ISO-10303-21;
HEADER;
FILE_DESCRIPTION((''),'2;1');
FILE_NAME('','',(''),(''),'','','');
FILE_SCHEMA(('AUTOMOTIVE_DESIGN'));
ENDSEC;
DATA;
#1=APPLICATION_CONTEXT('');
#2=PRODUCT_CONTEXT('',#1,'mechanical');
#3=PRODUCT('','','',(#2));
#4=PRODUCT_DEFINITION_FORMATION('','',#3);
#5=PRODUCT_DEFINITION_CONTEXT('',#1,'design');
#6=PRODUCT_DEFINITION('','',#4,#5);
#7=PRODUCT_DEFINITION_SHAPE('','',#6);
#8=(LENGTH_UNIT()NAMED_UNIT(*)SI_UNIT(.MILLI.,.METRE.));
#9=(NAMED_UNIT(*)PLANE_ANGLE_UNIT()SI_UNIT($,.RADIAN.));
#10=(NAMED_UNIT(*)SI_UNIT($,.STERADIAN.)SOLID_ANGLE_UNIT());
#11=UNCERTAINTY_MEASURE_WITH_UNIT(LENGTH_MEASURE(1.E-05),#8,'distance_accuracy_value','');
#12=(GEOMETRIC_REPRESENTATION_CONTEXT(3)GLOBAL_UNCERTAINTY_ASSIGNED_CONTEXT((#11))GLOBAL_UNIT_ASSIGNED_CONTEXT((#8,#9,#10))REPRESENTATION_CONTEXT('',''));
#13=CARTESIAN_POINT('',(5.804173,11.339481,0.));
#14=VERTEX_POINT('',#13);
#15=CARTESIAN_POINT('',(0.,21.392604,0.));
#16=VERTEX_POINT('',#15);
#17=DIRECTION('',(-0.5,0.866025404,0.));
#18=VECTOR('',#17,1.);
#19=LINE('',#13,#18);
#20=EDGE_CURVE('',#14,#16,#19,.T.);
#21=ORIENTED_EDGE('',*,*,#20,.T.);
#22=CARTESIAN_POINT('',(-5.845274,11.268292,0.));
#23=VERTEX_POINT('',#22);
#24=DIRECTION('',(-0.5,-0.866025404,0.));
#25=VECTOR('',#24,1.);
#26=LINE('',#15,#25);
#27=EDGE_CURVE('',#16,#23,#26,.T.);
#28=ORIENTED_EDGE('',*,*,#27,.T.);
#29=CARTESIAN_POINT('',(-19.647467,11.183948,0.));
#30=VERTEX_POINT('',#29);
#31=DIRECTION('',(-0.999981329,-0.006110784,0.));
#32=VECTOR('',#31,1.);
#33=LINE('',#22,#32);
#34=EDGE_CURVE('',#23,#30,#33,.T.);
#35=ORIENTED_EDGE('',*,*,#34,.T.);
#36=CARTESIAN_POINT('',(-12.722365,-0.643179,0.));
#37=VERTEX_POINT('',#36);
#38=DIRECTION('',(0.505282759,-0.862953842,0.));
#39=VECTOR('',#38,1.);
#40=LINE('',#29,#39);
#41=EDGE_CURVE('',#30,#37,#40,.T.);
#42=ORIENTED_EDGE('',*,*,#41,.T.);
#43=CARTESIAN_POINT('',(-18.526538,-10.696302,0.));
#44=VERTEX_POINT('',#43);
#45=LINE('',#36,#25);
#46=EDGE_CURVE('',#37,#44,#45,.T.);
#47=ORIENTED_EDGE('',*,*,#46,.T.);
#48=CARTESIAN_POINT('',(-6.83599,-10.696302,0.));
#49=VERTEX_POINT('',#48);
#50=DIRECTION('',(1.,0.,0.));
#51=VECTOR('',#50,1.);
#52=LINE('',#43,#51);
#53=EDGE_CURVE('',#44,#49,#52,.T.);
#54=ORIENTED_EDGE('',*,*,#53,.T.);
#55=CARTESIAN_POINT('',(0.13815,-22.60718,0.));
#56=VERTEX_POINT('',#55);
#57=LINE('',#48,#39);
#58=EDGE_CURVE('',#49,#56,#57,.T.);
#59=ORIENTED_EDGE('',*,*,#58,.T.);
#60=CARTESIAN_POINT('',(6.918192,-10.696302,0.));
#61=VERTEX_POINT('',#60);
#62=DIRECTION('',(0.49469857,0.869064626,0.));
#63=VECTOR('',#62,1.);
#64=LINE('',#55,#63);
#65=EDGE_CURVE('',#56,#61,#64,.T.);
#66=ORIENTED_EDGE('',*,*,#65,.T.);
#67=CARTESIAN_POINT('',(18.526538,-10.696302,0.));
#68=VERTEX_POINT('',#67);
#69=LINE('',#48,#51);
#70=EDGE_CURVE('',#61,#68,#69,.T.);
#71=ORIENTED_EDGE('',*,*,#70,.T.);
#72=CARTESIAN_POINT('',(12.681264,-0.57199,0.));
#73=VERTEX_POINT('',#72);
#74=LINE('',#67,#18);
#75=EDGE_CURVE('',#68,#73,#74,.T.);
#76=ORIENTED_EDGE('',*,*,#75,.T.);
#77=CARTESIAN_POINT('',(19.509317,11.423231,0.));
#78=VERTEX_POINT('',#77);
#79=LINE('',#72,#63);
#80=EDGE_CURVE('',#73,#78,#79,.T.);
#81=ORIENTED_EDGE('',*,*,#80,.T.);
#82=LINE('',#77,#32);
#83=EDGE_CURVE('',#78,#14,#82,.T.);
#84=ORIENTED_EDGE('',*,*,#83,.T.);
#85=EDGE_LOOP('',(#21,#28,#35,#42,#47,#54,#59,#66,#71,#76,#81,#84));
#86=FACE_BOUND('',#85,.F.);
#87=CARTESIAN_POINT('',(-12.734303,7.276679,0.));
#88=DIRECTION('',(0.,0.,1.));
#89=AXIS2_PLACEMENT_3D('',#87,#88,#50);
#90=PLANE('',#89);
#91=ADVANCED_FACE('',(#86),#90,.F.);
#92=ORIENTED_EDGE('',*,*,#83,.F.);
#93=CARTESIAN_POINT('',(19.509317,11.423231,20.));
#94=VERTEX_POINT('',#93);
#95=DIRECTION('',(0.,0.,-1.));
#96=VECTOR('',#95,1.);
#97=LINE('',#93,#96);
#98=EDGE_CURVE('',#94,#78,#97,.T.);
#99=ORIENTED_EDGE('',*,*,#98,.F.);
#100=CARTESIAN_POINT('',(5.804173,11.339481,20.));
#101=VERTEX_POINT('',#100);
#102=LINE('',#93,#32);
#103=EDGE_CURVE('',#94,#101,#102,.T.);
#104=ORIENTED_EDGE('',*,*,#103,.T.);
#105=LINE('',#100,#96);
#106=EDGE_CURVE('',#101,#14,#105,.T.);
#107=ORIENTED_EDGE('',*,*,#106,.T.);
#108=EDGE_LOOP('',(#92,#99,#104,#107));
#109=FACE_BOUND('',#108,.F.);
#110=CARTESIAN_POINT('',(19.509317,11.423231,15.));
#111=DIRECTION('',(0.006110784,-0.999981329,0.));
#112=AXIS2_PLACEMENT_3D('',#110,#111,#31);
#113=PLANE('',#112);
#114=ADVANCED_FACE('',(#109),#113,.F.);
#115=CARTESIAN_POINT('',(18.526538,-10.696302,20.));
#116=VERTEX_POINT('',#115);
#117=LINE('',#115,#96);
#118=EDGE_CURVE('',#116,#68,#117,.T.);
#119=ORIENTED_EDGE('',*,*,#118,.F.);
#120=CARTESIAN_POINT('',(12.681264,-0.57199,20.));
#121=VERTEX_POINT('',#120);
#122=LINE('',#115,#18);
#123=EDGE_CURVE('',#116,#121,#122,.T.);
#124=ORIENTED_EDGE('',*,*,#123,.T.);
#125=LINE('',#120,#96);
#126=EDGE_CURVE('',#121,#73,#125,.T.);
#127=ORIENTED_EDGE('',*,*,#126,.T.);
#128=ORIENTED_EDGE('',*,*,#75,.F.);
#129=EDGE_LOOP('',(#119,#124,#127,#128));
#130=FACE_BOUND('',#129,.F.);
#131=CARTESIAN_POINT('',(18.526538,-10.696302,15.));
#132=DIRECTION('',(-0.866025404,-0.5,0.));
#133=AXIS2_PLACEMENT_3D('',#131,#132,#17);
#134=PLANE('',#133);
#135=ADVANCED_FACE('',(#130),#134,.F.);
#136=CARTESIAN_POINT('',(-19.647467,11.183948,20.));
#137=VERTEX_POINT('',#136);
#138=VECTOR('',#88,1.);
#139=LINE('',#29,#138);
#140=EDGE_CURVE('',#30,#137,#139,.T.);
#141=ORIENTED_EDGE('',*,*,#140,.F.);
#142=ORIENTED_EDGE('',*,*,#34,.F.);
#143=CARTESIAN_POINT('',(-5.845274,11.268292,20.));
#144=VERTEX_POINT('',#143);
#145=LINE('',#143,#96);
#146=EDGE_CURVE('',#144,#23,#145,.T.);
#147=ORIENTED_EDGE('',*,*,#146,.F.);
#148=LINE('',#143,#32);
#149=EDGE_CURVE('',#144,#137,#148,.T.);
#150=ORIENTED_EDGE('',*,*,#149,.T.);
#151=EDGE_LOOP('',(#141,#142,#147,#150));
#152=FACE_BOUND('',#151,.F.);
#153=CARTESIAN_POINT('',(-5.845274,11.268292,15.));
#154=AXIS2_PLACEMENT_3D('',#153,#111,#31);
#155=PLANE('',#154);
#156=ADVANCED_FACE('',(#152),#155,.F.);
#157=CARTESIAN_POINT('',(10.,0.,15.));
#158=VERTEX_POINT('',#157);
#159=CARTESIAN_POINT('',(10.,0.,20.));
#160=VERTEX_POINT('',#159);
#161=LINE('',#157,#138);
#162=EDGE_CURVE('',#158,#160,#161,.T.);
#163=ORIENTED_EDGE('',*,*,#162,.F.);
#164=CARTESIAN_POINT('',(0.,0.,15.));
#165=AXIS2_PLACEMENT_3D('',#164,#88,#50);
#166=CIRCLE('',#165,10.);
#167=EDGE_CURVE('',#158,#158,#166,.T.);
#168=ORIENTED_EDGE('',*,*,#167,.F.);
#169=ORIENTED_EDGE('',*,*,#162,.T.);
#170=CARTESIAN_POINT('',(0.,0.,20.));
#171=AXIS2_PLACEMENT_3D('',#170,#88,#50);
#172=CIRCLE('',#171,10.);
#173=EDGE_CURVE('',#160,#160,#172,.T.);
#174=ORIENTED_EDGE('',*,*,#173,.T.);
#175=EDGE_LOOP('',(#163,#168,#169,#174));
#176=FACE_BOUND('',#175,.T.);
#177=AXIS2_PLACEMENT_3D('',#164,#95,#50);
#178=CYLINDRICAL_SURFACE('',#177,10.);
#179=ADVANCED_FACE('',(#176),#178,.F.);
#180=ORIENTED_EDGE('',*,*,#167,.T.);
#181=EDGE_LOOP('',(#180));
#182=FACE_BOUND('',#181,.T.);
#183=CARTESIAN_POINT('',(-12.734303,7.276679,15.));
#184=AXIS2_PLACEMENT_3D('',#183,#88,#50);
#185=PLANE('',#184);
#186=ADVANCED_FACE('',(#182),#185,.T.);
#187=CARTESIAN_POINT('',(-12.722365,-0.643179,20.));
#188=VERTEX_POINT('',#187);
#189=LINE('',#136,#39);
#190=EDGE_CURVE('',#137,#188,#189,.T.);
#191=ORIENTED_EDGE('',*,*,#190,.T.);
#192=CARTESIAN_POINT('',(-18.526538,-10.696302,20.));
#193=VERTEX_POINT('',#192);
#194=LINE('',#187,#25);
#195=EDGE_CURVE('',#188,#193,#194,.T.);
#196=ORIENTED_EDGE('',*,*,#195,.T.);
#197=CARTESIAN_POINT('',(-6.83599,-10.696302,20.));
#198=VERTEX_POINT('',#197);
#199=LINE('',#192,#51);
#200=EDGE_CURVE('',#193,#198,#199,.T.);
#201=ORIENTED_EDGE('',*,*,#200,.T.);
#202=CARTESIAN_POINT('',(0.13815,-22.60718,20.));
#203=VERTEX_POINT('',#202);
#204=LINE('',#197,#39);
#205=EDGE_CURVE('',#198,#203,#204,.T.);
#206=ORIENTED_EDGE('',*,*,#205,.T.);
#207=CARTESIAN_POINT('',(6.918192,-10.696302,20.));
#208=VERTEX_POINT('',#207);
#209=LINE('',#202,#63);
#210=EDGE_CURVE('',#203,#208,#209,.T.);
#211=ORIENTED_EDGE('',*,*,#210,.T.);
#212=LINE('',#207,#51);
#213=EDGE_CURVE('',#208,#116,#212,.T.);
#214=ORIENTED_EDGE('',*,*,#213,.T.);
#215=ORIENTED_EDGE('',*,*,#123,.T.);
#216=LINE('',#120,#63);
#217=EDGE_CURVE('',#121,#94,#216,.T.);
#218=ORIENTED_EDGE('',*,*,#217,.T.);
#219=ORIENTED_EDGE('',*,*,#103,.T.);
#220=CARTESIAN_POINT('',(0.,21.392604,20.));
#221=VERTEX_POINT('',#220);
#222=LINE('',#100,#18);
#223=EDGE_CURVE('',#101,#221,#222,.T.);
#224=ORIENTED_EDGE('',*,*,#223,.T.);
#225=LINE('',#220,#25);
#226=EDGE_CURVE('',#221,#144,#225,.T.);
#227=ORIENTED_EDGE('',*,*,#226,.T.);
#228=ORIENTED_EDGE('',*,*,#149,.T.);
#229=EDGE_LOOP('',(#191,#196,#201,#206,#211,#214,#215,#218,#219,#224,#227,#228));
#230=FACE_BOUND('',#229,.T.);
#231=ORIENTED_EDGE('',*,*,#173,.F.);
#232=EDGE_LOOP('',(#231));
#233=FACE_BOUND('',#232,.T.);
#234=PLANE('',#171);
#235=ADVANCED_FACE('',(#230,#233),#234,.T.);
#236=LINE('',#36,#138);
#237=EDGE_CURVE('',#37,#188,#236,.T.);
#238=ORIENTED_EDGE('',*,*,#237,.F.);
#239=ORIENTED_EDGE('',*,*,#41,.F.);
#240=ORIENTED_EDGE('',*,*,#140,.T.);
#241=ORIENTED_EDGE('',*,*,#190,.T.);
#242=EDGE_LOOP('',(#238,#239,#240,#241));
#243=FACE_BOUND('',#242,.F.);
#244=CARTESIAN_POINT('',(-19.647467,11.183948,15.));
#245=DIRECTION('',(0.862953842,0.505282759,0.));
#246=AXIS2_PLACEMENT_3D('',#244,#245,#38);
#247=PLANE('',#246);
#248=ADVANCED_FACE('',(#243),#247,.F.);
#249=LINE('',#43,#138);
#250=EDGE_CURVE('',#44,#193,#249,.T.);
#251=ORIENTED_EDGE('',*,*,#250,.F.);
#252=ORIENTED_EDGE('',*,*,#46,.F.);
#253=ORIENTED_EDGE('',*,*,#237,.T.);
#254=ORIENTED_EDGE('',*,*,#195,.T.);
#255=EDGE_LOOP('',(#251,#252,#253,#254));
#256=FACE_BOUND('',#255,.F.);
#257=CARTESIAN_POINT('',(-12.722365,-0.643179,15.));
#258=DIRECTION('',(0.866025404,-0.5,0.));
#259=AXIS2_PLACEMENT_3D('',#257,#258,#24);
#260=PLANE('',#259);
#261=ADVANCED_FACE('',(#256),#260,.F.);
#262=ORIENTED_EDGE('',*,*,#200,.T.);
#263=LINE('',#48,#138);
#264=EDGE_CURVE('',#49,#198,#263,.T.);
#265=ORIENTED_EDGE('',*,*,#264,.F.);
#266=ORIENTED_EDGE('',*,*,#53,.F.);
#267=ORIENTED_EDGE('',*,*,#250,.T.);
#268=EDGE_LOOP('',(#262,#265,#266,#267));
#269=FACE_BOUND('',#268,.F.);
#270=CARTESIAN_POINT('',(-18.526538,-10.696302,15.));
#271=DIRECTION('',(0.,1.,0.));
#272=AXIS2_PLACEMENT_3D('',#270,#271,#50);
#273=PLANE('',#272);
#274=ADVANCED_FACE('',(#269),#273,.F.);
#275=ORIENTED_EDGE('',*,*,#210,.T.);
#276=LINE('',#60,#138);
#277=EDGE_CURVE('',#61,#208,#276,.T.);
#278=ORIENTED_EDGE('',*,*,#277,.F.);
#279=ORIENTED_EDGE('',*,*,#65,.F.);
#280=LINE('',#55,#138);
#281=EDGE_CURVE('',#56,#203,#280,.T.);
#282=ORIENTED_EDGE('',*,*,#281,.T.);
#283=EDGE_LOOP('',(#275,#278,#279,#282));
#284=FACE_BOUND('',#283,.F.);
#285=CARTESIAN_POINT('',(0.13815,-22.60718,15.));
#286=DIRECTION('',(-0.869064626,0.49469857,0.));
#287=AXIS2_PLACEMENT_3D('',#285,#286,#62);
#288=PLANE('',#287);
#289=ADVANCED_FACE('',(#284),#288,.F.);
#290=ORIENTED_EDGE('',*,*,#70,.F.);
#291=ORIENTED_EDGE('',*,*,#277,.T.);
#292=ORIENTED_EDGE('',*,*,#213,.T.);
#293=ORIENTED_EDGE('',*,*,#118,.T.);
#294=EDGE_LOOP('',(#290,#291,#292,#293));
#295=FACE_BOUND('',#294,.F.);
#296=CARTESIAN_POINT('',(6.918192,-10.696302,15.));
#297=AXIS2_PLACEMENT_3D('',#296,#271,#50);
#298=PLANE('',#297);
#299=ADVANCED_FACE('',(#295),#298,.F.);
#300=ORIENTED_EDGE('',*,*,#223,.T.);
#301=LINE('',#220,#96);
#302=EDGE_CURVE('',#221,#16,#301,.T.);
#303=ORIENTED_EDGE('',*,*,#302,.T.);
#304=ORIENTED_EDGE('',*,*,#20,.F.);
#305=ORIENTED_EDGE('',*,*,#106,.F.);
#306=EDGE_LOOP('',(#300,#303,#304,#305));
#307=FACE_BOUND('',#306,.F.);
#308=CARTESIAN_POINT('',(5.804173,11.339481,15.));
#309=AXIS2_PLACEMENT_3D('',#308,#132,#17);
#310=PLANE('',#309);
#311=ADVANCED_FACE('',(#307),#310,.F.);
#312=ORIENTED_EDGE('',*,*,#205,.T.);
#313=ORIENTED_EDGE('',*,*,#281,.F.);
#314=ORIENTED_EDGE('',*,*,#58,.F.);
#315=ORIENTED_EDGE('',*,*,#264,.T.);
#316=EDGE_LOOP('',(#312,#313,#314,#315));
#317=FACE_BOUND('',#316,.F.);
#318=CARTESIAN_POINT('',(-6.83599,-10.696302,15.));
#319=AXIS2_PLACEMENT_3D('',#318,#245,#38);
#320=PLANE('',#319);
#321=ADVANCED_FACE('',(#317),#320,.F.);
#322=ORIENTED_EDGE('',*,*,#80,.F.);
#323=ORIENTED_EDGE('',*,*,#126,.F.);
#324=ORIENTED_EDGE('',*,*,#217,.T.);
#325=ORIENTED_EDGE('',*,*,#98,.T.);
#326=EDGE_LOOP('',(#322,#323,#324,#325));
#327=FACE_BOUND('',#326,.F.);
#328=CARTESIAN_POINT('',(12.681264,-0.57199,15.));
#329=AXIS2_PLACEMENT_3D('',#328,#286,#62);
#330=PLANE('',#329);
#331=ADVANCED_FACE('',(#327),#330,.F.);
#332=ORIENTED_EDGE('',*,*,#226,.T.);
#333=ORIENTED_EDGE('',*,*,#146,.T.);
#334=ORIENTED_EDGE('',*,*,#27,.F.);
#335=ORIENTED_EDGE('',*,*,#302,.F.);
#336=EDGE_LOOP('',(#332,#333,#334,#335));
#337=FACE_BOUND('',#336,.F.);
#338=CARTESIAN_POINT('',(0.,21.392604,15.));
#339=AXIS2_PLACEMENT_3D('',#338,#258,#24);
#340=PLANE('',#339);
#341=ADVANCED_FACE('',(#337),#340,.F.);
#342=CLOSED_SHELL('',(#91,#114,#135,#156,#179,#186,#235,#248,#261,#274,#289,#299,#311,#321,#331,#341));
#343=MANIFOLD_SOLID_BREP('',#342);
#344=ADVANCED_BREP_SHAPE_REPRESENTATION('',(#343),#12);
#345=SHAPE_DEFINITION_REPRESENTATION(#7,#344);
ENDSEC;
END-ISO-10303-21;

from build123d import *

# Parameters (mm, degrees)
F1_DEPTH = 15
F2_R     = 10
F3_DEPTH = 5


with BuildPart() as f1:
    # F0 (on Top) → F1 (new body)
    with BuildSketch(Plane.XY):
        Polygon((-12.7223648903, -0.643178855), (-5.8452739672, 11.2682920321), (-19.6474669216, 11.1839482352), align=None)
        Polygon((0.0316754732, 11.3042054723), (-5.8452739672, 11.2682920321), (-12.7223648903, -0.643178855), (-6.8359901735, -10.6963017637), (0.1007524936, -10.6963017637), align=None)
        Polygon((0.0316754732, 11.3042054723), (0, 21.3926035274), (-5.8452739672, 11.2682920321), align=None)
        Polygon((5.8041732175, 11.3394806187), (0, 21.3926035274), (0.0316754732, 11.3042054723), align=None)
        Polygon((12.6812641407, -0.5719902684), (5.8041732175, 11.3394806187), (0.0316754732, 11.3042054723), (0.1007524936, -10.6963017637), (6.9181916728, -10.6963017637), align=None)
        Polygon((19.509316747, 11.4232313565), (5.8041732175, 11.3394806187), (12.6812641407, -0.5719902684), align=None)
        Polygon((18.5265381078, -10.6963017637), (12.6812641407, -0.5719902684), (6.9181916728, -10.6963017637), align=None)
        Polygon((0.1381501745, -22.6071795917), (0.1007524936, -10.6963017637), (-6.8359901735, -10.6963017637), align=None)
        Polygon((6.9181916728, -10.6963017637), (0.1007524936, -10.6963017637), (0.1381501745, -22.6071795917), align=None)
        Polygon((-6.8359901735, -10.6963017637), (-12.7223648903, -0.643178855), (-18.5265381078, -10.6963017637), align=None)
    extrude(amount=F1_DEPTH)

    # F2 (on face) → F3 (join)
    with BuildSketch(Plane.XY.offset(15)):
        Polygon((-5.8452739672, 11.2682920321), (-19.6474669216, 11.1839482352), (-12.7223648903, -0.643178855), (-18.5265381078, -10.6963017637), (-6.8359901735, -10.6963017637), (0.1381501745, -22.6071795917), (6.9181916728, -10.6963017637), (18.5265381078, -10.6963017637), (12.6812641407, -0.5719902684), (19.509316747, 11.4232313565), (5.8041732175, 11.3394806187), (0, 21.3926035274), align=None)
        Circle(F2_R, mode=Mode.SUBTRACT)
    extrude(amount=F3_DEPTH)


solid = f1.part
